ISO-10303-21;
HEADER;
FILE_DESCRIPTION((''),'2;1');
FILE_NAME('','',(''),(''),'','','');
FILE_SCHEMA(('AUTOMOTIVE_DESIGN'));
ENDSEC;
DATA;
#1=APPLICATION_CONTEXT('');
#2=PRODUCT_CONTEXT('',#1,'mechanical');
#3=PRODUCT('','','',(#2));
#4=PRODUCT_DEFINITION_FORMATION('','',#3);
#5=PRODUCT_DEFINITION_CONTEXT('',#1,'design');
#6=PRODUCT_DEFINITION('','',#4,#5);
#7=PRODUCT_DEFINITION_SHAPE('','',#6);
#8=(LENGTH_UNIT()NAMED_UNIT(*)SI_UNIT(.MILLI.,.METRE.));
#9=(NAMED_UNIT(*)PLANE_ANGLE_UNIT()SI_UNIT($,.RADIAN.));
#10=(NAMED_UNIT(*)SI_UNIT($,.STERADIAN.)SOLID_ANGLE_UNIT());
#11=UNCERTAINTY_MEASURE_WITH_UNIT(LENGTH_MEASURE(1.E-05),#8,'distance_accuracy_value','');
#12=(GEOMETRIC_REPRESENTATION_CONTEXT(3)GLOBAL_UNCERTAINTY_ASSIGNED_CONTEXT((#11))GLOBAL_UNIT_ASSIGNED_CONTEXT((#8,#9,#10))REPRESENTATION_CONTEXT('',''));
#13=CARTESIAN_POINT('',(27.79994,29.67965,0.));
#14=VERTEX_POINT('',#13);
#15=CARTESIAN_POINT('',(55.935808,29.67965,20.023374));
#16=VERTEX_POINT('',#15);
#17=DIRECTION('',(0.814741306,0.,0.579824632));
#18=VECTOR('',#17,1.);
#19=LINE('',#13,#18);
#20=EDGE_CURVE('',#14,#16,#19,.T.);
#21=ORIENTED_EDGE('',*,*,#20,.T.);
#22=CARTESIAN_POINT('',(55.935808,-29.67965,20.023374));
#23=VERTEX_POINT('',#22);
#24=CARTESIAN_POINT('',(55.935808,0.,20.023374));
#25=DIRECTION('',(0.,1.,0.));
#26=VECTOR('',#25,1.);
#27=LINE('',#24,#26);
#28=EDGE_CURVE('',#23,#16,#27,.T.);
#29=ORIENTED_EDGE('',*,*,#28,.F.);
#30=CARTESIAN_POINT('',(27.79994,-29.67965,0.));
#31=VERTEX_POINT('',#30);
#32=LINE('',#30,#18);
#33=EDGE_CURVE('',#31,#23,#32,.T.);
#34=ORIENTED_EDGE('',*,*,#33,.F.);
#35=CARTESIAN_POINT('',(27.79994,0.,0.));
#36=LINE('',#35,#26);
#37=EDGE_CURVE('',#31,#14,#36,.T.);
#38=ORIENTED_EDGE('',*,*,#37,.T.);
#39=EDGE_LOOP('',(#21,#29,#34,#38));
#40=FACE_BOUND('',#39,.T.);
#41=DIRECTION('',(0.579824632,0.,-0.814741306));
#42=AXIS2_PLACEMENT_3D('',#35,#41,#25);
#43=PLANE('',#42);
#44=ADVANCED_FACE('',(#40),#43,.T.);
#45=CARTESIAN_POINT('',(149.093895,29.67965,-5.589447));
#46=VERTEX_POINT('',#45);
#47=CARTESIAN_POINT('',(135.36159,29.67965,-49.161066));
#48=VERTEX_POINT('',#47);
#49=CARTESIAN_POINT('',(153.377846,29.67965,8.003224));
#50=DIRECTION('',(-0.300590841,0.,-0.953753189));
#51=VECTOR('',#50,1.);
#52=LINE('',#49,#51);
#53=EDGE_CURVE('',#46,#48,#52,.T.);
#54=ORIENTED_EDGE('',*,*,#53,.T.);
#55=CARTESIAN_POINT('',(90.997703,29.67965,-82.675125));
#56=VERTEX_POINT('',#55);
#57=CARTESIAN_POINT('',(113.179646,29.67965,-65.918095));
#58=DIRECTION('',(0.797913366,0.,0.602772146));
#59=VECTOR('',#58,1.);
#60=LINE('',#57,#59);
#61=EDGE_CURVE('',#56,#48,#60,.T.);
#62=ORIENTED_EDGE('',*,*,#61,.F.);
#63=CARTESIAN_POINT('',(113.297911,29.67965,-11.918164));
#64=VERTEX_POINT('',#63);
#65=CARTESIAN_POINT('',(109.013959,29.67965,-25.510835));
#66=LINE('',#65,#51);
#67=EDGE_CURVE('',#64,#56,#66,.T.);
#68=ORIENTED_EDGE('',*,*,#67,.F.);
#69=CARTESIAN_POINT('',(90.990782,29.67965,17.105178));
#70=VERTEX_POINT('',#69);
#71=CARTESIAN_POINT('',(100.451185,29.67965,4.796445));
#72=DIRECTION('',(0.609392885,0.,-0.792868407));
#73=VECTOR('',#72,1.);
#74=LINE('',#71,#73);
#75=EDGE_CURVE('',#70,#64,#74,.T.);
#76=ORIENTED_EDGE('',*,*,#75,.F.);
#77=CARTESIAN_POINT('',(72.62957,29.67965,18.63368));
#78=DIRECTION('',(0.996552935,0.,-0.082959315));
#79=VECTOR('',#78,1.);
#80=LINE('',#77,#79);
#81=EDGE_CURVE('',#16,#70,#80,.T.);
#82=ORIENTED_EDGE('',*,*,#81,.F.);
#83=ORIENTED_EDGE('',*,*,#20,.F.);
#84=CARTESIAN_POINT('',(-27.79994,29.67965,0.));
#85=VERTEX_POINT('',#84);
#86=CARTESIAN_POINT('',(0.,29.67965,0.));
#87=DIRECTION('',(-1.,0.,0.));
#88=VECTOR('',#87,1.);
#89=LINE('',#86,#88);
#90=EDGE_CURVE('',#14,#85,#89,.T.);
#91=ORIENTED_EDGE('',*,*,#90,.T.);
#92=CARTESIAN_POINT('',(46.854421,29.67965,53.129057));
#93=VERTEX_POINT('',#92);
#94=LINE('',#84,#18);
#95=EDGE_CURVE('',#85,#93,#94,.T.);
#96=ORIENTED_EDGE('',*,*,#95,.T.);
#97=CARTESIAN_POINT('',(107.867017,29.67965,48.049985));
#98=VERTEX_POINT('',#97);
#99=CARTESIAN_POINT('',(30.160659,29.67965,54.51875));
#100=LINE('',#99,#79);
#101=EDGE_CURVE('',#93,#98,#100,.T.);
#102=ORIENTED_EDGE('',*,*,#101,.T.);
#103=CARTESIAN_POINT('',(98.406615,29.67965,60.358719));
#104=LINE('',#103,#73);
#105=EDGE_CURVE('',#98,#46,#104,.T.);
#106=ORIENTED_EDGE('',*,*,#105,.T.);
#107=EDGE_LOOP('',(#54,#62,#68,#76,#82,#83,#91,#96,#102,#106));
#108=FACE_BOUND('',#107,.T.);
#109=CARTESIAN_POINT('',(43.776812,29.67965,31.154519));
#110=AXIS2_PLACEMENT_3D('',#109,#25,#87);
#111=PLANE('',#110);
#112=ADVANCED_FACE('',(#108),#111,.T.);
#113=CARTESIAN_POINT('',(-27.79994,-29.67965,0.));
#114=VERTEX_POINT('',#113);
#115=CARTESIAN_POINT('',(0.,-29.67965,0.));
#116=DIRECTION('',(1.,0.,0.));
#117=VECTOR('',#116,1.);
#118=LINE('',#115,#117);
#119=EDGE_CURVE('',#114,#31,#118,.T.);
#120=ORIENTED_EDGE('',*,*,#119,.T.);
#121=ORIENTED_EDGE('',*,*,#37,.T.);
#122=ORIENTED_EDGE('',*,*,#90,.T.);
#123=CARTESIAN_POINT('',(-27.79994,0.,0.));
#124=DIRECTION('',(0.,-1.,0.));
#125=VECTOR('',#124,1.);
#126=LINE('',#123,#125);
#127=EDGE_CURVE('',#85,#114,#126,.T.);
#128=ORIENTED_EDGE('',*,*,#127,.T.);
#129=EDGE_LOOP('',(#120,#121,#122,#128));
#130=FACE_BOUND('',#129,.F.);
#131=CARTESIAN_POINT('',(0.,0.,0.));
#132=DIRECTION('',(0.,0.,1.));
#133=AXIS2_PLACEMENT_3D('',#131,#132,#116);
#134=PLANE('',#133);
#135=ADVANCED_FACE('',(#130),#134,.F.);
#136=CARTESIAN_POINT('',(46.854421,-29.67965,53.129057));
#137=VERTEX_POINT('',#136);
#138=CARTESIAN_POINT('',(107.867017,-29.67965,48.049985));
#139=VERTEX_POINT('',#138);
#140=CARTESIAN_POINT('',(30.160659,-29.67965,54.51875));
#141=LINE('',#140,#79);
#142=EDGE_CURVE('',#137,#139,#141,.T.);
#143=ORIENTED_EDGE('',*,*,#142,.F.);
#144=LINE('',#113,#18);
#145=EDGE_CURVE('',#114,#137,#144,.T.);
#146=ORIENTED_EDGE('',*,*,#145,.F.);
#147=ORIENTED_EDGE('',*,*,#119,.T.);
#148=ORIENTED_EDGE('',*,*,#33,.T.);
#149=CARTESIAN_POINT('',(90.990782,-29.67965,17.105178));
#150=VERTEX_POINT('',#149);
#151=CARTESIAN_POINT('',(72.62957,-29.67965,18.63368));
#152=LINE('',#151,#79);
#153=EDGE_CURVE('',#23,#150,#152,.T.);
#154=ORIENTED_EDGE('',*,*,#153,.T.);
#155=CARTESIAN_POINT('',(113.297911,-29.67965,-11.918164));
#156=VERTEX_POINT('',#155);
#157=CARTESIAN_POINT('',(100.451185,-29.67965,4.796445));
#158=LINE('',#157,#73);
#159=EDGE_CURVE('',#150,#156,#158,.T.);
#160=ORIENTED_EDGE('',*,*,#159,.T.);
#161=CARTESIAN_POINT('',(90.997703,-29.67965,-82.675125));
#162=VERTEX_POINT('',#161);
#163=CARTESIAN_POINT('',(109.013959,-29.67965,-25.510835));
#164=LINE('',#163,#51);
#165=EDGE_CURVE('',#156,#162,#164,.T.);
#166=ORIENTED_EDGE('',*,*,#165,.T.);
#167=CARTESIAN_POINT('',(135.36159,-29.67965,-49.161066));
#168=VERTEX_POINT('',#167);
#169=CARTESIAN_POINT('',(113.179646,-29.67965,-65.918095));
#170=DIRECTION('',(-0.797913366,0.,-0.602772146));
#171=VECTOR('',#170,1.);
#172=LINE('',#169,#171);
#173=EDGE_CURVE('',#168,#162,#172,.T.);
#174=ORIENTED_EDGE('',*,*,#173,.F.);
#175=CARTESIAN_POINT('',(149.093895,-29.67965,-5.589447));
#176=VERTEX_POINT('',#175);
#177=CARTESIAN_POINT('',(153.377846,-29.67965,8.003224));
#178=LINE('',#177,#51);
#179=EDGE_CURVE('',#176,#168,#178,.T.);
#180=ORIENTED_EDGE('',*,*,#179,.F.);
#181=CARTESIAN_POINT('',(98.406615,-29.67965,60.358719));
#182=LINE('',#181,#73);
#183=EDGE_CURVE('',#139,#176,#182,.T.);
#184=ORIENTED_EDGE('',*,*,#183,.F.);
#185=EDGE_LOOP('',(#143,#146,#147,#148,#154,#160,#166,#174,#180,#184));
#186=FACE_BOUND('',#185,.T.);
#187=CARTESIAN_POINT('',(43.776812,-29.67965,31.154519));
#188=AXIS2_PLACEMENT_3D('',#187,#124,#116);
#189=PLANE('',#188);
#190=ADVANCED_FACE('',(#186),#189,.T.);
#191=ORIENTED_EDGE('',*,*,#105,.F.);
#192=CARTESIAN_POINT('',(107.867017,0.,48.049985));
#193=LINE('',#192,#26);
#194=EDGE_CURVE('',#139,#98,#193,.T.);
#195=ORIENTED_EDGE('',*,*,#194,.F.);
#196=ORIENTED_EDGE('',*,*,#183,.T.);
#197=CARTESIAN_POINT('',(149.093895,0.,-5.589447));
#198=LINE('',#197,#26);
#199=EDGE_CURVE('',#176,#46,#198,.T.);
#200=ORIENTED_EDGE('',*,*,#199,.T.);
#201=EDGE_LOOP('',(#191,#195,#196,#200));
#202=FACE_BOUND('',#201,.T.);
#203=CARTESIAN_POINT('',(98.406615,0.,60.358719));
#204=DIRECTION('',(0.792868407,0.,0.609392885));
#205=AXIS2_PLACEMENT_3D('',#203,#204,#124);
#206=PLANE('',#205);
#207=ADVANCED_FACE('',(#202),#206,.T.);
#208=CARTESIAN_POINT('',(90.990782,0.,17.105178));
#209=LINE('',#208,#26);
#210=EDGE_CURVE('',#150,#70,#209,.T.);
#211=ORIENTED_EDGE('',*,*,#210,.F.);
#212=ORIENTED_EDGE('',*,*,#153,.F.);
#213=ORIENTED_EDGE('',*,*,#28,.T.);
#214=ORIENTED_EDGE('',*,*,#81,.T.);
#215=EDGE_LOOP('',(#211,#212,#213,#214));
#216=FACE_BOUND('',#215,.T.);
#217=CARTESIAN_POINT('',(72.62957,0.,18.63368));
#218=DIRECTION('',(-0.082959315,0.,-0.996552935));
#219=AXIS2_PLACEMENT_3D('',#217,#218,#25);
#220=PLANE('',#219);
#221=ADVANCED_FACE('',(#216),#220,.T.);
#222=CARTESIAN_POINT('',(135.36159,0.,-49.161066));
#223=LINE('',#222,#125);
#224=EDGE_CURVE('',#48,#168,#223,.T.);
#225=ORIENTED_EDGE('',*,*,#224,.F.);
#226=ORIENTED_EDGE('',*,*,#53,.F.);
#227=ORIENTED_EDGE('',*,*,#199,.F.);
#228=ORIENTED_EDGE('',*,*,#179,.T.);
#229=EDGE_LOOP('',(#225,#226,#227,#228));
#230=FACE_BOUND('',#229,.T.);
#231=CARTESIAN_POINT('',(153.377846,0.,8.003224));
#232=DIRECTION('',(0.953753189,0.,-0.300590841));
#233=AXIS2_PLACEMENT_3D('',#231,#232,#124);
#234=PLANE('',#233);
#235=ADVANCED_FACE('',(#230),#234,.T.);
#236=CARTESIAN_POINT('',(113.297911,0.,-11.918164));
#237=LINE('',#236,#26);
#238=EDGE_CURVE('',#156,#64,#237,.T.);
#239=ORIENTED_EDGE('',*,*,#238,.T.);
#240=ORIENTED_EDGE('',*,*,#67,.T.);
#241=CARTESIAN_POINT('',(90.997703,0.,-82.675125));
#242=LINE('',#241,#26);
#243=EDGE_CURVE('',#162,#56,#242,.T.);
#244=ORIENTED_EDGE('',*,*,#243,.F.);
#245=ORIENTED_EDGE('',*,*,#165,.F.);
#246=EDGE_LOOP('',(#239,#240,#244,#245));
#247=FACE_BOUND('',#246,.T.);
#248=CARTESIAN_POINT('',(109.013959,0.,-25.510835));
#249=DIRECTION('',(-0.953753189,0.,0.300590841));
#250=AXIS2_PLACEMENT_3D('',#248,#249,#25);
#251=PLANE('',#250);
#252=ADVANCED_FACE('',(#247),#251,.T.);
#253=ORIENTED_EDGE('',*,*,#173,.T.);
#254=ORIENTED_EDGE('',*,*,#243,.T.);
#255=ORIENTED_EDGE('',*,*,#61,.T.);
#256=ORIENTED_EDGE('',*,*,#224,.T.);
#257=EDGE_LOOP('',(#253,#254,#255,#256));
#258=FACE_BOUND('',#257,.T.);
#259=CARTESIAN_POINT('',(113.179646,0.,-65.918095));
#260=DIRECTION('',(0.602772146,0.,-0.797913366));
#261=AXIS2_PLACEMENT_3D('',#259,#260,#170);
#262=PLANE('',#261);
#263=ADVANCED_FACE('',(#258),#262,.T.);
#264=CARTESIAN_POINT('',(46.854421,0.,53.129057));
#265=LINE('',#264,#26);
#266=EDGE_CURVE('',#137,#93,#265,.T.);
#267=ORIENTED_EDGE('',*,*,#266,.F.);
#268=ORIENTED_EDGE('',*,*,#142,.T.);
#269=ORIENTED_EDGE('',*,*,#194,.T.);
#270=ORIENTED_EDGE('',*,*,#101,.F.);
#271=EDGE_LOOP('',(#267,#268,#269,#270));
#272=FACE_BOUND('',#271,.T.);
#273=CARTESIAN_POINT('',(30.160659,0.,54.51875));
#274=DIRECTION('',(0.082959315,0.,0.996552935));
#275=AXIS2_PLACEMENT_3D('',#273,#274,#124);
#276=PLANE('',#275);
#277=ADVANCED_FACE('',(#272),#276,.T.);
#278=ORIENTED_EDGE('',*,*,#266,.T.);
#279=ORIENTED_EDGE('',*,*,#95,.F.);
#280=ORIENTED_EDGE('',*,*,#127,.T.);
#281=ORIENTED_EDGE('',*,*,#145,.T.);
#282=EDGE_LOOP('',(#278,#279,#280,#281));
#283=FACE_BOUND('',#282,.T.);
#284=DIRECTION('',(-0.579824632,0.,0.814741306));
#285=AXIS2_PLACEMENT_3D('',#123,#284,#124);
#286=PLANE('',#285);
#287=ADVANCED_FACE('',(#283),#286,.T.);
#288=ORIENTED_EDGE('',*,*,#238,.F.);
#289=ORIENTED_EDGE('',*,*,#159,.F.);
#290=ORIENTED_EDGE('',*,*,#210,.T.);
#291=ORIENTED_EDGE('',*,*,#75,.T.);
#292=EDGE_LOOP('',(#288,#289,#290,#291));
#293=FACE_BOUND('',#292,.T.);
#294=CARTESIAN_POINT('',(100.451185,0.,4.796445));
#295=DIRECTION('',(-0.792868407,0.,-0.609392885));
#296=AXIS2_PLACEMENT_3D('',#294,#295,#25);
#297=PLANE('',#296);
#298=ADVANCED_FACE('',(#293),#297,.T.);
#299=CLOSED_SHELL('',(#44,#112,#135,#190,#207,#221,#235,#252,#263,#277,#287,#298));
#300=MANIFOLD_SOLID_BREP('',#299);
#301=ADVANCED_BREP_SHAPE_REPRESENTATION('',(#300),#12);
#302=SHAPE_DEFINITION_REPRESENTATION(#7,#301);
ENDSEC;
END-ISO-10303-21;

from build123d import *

# Parameters (mm, degrees)
F0_W = 55.5998794734
F0_H = 59.3593008816


with BuildPart() as f2:
    # F2: sweep along a path in F1
    with BuildLine(Plane.XZ) as f2_path:
        Line((0, 0), (51.3951145113, 36.5762151778))
        Line((51.3951145113, 36.5762151778), (99.4288995862, 32.5775817037))
        Line((99.4288995862, 32.5775817037), (131.1959028244, -8.7538054213))
        Line((131.1959028244, -8.7538054213), (113.1796464324, -65.9180954099))
    # F0 (on Top) → F2 (sweep)
    with BuildSketch(Plane.XY):
        Rectangle(F0_W, F0_H)
    sweep(path=f2_path.line, transition=Transition.RIGHT)


solid = f2.part
